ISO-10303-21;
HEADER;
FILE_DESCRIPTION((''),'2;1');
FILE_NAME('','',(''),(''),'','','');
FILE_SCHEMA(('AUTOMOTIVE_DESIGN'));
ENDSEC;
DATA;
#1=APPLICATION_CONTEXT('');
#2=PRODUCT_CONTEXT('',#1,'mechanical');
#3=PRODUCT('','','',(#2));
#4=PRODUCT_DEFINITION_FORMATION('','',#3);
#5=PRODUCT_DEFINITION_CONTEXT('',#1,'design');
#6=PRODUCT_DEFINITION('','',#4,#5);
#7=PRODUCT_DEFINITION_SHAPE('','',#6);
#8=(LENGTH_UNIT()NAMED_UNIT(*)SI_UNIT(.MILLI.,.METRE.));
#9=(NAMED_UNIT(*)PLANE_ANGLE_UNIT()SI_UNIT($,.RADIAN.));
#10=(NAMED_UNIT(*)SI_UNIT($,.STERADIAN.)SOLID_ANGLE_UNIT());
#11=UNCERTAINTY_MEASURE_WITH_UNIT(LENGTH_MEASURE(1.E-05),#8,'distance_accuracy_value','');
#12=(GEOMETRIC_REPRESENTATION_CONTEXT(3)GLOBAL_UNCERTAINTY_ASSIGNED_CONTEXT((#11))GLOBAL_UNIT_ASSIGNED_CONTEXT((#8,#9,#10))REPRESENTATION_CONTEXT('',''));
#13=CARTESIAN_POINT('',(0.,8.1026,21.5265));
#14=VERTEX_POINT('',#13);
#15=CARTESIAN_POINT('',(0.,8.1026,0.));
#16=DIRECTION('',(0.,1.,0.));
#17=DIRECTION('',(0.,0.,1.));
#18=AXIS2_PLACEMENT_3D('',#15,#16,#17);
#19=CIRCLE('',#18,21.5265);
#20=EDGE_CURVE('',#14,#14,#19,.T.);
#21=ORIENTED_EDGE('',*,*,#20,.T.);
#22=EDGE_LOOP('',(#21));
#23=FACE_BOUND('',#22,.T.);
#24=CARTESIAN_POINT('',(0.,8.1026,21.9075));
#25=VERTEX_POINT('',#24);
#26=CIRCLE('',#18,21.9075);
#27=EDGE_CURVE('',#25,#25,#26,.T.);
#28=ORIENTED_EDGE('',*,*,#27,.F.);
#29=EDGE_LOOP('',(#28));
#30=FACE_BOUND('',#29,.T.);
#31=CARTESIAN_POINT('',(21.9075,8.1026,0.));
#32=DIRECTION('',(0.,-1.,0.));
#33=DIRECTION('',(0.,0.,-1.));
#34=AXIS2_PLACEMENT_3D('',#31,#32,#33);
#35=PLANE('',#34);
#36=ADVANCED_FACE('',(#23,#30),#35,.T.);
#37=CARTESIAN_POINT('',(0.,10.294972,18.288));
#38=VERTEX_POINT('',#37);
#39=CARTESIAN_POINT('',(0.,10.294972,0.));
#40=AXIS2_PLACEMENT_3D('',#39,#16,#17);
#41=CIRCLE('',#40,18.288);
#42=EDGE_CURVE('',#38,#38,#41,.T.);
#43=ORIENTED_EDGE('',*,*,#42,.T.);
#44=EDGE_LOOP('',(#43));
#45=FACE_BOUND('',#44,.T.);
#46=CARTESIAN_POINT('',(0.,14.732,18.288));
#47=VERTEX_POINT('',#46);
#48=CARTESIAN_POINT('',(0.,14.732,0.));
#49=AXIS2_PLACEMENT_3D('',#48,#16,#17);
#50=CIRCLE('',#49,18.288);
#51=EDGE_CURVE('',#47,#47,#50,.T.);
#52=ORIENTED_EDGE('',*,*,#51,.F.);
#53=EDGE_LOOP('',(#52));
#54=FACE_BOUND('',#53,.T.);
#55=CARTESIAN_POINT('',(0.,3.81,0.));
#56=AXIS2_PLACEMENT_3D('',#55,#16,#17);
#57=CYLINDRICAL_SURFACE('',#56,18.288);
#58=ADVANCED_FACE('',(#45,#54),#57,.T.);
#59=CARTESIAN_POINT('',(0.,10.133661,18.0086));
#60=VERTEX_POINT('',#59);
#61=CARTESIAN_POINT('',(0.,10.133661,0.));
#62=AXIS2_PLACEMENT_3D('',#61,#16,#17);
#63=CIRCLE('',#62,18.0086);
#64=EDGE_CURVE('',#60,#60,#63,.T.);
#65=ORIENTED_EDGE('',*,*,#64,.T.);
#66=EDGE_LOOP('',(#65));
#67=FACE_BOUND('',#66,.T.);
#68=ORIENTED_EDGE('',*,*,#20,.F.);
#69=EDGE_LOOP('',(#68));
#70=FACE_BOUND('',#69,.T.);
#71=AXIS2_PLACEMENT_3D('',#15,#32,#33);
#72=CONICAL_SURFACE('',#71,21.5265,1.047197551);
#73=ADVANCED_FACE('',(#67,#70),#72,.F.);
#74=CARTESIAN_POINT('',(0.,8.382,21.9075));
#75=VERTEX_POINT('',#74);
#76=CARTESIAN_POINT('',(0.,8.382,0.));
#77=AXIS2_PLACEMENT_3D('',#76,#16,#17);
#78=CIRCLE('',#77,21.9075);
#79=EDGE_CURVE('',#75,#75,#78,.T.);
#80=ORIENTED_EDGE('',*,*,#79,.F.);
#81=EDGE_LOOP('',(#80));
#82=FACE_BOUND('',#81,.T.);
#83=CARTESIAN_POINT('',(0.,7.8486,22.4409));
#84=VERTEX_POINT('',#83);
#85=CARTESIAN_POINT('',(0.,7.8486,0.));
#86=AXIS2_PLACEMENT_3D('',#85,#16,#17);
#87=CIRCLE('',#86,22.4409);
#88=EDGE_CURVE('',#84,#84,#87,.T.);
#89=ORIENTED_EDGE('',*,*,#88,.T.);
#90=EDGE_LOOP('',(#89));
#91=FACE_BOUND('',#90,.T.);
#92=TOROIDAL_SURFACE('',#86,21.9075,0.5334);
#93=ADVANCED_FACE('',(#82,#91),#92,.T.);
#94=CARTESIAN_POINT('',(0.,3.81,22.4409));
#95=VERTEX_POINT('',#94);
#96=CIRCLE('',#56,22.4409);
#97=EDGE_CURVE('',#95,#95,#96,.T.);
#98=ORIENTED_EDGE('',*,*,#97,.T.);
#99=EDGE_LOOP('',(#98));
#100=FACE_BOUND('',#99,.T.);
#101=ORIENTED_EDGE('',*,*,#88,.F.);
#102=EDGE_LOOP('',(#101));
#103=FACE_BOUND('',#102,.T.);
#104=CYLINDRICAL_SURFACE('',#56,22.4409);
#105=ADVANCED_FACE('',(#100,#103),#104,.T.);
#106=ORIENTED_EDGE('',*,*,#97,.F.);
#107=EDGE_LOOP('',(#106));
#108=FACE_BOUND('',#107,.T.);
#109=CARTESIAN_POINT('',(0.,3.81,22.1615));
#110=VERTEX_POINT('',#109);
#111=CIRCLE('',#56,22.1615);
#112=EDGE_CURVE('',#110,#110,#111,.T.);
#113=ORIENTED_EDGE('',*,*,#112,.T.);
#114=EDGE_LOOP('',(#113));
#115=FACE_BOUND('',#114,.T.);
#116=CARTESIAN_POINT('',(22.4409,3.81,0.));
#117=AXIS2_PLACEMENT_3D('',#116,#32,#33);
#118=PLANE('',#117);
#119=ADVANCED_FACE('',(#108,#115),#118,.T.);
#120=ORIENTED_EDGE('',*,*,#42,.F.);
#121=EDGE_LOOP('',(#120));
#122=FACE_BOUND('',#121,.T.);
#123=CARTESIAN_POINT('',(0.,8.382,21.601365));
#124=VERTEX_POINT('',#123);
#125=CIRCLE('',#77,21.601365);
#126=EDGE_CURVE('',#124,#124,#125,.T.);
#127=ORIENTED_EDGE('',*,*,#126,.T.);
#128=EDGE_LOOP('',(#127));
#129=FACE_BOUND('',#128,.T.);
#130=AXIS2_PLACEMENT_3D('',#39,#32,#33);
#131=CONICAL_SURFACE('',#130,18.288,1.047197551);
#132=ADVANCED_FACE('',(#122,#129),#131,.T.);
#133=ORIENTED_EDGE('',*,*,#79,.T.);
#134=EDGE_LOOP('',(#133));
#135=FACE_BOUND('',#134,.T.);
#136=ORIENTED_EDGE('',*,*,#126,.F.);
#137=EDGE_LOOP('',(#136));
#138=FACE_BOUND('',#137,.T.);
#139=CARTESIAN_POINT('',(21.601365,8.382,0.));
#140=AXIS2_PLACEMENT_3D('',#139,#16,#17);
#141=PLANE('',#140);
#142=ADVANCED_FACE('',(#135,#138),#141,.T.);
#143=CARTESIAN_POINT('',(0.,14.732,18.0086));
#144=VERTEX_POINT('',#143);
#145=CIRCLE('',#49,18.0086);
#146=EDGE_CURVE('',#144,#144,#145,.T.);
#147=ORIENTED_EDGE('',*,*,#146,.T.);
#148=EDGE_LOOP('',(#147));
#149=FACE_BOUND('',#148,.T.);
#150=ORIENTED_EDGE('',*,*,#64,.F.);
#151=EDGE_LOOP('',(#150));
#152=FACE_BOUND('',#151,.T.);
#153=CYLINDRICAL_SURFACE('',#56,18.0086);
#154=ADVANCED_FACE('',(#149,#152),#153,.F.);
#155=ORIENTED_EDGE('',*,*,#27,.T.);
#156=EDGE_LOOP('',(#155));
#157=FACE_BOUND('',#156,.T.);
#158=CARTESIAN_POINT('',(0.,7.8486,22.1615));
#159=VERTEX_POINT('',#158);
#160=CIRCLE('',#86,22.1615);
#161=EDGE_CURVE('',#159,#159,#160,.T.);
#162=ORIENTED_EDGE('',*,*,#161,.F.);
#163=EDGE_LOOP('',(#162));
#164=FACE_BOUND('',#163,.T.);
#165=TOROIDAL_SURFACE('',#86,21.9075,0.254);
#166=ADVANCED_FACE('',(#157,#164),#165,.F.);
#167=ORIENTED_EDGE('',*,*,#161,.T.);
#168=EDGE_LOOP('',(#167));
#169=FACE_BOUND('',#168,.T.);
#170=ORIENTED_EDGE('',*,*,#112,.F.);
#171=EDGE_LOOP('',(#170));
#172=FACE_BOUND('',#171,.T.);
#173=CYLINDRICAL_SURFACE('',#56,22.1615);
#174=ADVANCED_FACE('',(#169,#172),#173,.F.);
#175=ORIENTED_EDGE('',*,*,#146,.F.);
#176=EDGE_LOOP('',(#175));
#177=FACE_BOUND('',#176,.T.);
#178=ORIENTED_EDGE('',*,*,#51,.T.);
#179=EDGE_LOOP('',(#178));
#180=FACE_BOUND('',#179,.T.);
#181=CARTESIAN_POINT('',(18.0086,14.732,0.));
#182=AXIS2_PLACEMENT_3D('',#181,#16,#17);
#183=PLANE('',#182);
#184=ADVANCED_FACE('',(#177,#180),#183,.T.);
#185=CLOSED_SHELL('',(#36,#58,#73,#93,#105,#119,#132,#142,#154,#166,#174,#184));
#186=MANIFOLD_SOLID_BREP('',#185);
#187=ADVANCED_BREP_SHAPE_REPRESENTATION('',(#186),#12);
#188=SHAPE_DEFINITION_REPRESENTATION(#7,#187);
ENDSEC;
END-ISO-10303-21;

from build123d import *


with BuildPart() as part:
    # Sketch1 → Revolve1 (revolve)
    with BuildSketch(Plane(origin=(0, 0, 0), x_dir=(-1, 0, 0), z_dir=(0, 0, -1))):
        with BuildLine():
            Line((-21.5265, 8.1026), (-18.0086, 10.133660512))
            Line((-18.0086, 10.133660512), (-18.0086, 14.732))
            Line((-18.0086, 14.732), (-18.288, 14.732))
            Line((-18.288, 14.732), (-18.288, 10.294972177))
            Line((-18.288, 10.294972177), (-21.601365004, 8.382))
            Line((-21.601365004, 8.382), (-21.9075, 8.382))
            ThreePointArc((-21.9075, 8.382), (-22.284670757, 8.225770757), (-22.4409, 7.8486))
            Line((-22.4409, 7.8486), (-22.4409, 3.81))
            Line((-22.4409, 3.81), (-22.1615, 3.81))
            Line((-22.1615, 3.81), (-22.1615, 7.8486))
            ThreePointArc((-22.1615, 7.8486), (-22.087105122, 8.028205122), (-21.9075, 8.1026))
            Line((-21.9075, 8.1026), (-21.5265, 8.1026))
        make_face()
    revolve(axis=Axis((0, 3.81, 0), (0, 1, 0)))


solid = part.part
